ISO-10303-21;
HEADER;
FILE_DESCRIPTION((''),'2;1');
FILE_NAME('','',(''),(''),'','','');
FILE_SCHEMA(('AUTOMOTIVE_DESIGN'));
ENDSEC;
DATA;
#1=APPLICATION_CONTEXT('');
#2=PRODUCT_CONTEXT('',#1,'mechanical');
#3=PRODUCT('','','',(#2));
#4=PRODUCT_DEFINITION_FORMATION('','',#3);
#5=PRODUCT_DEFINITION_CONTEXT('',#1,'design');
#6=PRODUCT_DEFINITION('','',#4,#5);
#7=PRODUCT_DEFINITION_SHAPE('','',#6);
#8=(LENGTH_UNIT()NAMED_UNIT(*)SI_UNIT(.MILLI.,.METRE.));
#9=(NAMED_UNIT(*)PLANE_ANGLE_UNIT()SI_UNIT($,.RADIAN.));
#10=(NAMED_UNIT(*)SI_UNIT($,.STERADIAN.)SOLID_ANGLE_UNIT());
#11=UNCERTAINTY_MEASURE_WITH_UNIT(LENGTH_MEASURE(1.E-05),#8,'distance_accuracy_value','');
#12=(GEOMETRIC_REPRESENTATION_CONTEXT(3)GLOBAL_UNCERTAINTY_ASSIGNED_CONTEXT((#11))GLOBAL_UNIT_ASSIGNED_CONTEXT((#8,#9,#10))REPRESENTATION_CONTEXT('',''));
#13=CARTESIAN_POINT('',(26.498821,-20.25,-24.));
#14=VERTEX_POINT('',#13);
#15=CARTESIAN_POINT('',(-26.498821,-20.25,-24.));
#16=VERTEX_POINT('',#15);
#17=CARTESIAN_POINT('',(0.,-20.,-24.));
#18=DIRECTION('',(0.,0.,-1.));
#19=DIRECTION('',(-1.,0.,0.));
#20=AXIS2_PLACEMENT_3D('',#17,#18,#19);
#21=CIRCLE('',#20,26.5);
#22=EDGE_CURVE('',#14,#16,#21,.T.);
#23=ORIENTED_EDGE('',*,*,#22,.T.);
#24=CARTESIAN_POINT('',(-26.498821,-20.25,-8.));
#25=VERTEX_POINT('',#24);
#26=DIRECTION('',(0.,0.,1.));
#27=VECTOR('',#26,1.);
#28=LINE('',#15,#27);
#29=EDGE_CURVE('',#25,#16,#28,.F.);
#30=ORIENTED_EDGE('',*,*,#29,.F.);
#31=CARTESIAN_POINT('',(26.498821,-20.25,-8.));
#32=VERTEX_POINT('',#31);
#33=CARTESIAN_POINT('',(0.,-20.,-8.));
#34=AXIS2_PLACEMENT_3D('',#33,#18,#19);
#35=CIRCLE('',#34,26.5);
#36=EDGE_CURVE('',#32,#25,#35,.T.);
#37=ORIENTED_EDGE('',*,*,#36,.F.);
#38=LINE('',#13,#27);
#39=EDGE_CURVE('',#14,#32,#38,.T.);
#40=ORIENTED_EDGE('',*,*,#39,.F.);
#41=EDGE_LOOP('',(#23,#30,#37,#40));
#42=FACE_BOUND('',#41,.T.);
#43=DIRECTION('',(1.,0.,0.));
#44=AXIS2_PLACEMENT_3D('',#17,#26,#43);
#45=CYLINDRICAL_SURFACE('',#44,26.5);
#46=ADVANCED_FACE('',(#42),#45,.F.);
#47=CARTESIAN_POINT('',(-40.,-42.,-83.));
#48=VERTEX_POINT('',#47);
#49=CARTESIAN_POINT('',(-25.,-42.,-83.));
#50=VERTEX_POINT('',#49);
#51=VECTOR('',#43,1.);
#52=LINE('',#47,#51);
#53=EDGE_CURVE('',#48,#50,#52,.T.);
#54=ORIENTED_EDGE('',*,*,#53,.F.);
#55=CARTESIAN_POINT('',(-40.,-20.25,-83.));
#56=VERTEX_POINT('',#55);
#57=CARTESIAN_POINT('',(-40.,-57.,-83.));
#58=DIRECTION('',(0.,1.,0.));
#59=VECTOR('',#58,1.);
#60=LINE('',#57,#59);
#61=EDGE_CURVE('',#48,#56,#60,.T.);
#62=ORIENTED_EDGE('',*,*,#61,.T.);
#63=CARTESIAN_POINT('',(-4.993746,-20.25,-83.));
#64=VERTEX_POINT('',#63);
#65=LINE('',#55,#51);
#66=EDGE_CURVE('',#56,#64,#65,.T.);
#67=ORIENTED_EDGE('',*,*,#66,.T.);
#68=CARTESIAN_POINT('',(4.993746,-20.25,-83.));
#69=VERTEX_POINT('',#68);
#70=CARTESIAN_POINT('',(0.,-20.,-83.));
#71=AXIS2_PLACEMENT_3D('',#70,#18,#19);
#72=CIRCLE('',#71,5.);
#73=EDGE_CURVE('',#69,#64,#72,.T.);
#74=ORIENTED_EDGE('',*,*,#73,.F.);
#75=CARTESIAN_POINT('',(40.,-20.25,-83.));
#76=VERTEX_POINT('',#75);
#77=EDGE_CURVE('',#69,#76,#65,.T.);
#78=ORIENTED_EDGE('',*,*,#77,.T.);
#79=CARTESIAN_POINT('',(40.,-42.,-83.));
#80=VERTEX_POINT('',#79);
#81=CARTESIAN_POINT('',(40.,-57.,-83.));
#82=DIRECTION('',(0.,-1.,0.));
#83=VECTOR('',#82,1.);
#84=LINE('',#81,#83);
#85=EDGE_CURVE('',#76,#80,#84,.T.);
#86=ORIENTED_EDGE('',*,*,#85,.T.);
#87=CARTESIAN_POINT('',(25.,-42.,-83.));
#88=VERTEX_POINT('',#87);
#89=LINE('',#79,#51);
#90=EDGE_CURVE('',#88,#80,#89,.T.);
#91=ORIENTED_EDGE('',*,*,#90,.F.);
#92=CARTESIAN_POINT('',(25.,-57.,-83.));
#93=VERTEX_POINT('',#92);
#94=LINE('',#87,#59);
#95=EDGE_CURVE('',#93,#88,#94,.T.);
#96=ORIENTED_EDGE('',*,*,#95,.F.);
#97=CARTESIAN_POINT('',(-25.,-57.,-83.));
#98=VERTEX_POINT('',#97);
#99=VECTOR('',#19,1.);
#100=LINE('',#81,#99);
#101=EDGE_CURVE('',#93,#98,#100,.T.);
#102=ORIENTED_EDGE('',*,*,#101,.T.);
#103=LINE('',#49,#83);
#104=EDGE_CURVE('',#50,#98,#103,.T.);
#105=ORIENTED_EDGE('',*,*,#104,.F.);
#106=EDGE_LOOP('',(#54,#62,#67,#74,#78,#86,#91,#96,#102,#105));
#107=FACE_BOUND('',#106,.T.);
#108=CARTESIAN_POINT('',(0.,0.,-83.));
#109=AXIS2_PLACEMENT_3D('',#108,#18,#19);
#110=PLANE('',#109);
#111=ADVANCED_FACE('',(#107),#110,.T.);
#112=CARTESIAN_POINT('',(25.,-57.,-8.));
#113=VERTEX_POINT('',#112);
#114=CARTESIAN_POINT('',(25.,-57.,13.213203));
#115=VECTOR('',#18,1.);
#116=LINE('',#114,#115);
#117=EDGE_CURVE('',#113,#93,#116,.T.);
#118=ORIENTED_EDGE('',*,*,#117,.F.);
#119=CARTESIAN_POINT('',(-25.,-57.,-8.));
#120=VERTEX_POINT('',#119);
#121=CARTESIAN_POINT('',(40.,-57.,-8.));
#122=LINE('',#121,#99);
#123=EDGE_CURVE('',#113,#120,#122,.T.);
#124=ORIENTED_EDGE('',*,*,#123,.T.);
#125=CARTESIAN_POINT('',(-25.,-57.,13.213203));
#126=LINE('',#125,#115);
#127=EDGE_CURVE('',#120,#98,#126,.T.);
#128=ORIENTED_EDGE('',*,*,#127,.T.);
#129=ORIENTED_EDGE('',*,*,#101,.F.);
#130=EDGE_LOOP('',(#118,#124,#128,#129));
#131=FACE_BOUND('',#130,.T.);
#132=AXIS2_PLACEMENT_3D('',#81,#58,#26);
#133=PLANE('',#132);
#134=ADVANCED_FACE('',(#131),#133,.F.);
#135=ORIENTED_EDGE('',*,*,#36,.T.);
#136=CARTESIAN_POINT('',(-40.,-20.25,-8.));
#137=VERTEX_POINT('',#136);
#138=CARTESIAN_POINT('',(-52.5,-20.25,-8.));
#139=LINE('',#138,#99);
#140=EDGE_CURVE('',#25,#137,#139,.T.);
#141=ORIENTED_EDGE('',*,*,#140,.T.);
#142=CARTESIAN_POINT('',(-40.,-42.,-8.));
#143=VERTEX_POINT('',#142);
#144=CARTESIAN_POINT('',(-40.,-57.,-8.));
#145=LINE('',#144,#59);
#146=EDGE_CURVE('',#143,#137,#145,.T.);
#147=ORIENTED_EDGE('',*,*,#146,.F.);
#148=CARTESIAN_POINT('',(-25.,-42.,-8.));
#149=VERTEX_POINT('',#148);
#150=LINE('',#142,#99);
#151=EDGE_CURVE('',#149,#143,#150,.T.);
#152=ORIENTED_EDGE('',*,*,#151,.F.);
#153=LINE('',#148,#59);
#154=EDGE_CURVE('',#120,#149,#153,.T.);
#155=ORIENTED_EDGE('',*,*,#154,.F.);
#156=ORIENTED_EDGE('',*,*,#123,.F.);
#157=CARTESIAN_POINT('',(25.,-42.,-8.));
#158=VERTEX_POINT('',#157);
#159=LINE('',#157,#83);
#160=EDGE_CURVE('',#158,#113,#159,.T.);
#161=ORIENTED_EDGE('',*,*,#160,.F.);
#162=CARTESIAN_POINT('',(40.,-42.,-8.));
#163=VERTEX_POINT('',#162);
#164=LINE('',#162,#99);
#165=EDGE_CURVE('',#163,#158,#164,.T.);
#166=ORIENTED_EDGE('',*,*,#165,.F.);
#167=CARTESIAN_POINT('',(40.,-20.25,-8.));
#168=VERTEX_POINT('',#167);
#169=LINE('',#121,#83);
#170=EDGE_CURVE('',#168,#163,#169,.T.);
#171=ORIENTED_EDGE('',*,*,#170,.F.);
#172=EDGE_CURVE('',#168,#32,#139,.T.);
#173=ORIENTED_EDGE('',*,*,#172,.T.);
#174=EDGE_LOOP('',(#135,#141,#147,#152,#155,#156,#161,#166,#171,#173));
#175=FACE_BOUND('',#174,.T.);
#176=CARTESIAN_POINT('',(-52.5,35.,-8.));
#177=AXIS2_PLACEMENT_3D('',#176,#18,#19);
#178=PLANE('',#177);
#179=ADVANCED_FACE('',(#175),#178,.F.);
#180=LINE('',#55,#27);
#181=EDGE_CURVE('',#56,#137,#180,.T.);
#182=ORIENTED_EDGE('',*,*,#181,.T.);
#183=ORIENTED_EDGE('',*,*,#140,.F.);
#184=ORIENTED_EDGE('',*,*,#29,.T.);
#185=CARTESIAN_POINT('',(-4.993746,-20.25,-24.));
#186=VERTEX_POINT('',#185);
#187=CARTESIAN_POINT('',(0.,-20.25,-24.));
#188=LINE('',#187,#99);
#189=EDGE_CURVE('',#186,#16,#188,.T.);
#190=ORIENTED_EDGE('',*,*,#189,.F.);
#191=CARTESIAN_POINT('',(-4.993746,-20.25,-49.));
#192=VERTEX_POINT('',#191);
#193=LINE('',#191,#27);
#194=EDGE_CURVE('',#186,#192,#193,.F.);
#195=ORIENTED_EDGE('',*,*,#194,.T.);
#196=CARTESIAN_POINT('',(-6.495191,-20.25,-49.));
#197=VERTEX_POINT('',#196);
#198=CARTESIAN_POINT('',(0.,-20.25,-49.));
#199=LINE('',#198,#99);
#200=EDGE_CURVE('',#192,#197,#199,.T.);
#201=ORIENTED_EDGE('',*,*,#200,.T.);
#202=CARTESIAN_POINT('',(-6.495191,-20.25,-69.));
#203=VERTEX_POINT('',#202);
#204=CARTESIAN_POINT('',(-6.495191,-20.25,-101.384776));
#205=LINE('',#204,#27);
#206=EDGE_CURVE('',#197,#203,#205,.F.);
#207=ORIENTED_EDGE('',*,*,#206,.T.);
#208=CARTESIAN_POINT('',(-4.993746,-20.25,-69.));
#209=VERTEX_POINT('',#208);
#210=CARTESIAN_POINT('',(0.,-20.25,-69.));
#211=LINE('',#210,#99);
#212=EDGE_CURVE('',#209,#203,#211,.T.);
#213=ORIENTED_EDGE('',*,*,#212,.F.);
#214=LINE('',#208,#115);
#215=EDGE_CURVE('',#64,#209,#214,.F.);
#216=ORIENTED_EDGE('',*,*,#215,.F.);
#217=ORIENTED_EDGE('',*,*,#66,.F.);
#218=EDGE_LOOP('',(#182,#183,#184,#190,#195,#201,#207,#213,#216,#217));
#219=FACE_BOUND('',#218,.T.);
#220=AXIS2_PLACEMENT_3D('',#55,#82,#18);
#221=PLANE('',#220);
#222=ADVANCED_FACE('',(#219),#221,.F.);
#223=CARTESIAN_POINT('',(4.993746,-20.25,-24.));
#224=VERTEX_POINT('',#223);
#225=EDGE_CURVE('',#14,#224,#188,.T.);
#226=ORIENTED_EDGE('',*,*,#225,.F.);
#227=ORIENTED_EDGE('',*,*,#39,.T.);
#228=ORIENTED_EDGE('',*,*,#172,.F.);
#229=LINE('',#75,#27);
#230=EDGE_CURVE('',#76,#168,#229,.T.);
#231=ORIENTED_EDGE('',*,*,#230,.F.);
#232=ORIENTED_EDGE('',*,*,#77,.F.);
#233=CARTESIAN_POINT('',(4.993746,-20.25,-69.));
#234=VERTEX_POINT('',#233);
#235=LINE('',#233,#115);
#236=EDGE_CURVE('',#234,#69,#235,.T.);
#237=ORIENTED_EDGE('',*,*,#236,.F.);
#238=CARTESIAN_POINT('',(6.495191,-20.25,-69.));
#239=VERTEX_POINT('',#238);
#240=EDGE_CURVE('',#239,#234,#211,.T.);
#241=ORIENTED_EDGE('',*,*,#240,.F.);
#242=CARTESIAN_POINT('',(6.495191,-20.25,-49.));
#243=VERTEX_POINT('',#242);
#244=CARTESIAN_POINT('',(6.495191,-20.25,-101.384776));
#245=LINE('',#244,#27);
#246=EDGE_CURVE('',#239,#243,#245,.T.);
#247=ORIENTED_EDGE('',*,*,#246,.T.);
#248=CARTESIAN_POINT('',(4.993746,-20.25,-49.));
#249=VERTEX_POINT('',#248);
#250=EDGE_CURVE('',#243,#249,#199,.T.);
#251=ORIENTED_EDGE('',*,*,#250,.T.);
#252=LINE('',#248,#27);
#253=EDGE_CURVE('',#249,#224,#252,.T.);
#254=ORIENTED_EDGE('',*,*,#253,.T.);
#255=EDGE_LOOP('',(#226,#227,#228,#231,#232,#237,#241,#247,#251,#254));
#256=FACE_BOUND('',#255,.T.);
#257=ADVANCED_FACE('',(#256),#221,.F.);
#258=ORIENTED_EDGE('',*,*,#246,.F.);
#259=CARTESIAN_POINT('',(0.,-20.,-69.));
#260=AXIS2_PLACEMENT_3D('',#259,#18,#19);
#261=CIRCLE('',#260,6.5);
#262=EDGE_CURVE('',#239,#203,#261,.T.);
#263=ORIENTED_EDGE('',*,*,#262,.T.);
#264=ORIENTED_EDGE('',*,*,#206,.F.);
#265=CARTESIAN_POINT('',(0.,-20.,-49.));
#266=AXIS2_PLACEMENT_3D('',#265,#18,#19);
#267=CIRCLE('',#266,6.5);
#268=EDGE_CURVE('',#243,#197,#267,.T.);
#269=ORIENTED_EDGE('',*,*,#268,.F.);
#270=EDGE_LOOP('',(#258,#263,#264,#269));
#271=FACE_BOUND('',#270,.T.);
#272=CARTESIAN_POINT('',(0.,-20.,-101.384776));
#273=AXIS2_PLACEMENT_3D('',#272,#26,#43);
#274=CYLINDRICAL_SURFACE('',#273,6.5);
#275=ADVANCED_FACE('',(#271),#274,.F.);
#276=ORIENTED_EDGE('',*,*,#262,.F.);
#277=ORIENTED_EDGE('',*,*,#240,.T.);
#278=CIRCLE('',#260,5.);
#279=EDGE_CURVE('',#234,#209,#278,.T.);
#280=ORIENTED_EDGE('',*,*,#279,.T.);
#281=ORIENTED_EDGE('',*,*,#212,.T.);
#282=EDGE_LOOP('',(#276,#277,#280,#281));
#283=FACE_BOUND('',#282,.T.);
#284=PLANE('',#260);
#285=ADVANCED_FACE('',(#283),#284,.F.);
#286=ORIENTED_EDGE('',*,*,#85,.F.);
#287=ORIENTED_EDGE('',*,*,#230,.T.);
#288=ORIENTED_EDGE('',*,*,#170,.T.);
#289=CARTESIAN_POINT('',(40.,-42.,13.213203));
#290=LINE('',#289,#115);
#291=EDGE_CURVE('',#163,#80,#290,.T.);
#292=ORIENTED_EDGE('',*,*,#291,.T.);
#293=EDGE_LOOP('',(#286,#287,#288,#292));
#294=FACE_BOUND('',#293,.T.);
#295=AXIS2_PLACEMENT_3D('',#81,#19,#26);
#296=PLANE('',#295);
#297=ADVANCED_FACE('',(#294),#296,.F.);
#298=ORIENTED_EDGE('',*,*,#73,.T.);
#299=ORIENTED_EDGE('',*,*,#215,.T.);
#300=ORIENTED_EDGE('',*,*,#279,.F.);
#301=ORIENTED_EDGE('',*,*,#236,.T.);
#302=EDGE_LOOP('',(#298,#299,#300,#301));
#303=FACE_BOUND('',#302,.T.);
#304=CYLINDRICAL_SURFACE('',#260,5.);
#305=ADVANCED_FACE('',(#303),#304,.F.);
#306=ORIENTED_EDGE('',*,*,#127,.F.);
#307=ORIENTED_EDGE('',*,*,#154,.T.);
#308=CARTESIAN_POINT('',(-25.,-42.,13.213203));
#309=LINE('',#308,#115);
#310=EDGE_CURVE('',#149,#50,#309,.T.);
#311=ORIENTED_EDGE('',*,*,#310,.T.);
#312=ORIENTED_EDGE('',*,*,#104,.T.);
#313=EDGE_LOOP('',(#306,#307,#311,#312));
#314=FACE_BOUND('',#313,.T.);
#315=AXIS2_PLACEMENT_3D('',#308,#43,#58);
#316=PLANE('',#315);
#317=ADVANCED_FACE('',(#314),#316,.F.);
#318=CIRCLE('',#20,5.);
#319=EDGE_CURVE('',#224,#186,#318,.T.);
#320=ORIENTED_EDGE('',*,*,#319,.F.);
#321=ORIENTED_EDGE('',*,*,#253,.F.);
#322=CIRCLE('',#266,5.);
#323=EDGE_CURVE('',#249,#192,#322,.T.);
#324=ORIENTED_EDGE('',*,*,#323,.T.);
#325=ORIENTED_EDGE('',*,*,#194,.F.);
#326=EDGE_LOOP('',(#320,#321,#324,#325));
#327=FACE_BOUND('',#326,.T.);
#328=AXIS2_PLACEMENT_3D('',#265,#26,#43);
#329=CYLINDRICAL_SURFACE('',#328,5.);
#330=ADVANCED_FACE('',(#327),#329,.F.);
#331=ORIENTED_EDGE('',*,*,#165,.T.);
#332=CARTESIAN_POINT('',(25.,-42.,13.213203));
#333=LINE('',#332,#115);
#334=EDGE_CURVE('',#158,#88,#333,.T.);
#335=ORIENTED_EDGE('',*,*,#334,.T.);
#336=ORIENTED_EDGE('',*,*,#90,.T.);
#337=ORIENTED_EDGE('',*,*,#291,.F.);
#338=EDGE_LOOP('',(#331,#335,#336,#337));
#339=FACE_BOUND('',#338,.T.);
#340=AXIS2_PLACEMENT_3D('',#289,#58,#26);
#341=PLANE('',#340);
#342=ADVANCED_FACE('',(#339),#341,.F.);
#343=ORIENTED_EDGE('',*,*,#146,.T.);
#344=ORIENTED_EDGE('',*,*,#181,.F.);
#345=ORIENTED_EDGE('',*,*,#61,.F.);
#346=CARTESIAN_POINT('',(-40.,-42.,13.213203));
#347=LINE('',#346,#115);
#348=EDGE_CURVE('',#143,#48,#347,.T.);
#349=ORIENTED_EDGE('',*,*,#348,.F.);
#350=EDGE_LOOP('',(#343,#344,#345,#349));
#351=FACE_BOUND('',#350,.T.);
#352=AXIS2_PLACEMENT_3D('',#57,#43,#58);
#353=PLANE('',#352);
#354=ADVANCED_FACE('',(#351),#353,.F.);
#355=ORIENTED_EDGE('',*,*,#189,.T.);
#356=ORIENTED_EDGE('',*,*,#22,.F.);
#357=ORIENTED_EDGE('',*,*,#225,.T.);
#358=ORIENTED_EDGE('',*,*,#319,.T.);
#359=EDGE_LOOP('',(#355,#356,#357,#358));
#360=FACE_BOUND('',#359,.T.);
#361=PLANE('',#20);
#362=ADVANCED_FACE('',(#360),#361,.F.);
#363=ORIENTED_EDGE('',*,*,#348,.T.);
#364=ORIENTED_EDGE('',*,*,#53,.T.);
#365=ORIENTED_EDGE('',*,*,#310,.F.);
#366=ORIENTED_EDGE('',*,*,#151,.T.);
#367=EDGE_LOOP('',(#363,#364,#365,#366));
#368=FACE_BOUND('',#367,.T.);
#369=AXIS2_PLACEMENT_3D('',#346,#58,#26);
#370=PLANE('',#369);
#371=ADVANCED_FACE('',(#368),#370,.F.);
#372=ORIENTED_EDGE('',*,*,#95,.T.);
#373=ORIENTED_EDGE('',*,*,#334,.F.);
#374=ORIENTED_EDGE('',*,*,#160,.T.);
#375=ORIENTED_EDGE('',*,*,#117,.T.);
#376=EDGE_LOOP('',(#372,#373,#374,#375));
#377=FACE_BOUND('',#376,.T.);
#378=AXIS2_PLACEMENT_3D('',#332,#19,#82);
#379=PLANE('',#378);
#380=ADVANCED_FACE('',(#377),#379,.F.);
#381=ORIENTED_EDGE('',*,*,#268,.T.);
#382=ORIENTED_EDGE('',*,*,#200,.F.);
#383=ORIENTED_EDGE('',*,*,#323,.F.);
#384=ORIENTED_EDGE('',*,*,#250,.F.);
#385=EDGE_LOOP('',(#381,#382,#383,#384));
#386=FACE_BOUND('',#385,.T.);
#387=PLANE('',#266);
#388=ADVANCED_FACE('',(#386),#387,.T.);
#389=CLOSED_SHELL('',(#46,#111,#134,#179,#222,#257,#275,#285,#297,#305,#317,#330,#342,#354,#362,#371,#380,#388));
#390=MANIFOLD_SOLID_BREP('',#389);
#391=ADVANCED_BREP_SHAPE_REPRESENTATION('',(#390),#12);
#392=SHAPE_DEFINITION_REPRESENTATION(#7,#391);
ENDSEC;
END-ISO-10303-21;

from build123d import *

# Parameters (mm, degrees)
BOSS_EXTRUDE1_DEPTH     = 8
SKETCH3_R               = 13.75
CUT_EXTRUDE1_DEPTH      = 8
SKETCH4_W               = 80
SKETCH4_H               = 37
BOSS_EXTRUDE2_DEPTH     = 75
SKETCH5_R               = 26.5
CUT_EXTRUDE2_DEPTH      = 16
SKETCH6_R               = 6.5
CUT_EXTRUDE3_DEPTH      = 75
BOSS_EXTRUDE3_START     = 16
BOSS_EXTRUDE3_DEPTH     = 25
BOSS_EXTRUDE4_START     = 61
BOSS_EXTRUDE4_DEPTH     = 14
SKETCH10_W              = 150
SKETCH10_H              = 175
CUT_EXTRUDE4_DEPTH      = 8
CUT_EXTRUDE5_DEPTH      = 103.342562016
CUT_EXTRUDE5_DEPTH_BACK = 103.342562016
SKETCH12_W              = 80
SKETCH12_H              = 0.25
SKETCH13_W              = 15
SKETCH13_H              = 15
CUT_EXTRUDE6_DEPTH      = 75


with BuildPart() as part:
    # Sketch2 → Boss-Extrude1 (new body)
    with BuildSketch(Plane.XY):
        with BuildLine():
            Line((-35, 60), (-35, 50))
            ThreePointArc((-35, 50), (-37.196699141, 44.696699141), (-42.5, 42.5))
            Line((-42.5, 42.5), (-52.5, 42.5))
            ThreePointArc((-52.5, 42.5), (-57.803300859, 40.303300859), (-60, 35))
            Line((-60, 35), (-60, -60))
            ThreePointArc((-60, -60), (-57.803300859, -65.303300859), (-52.5, -67.5))
            Line((-52.5, -67.5), (52.5, -67.5))
            ThreePointArc((52.5, -67.5), (57.803300859, -65.303300859), (60, -60))
            Line((60, -60), (60, 35))
            ThreePointArc((60, 35), (57.803300859, 40.303300859), (52.5, 42.5))
            Line((52.5, 42.5), (42.5, 42.5))
            ThreePointArc((42.5, 42.5), (37.196699141, 44.696699141), (35, 50))
            Line((35, 50), (35, 60))
            ThreePointArc((35, 60), (32.803300859, 65.303300859), (27.5, 67.5))
            Line((27.5, 67.5), (-27.5, 67.5))
            ThreePointArc((-27.5, 67.5), (-32.803300859, 65.303300859), (-35, 60))
        make_face()
    extrude(amount=-BOSS_EXTRUDE1_DEPTH)

    # Sketch3 → Cut-Extrude1 (cut)
    with BuildSketch(Plane.XY):
        with Locations((0, -20)):
            Circle(SKETCH3_R)
    extrude(amount=-CUT_EXTRUDE1_DEPTH, mode=Mode.SUBTRACT)

    # Sketch4 → Boss-Extrude2 (add)
    with BuildSketch(Plane(origin=(0, 0, -8), x_dir=(-1, 0, 0), z_dir=(0, 0, -1))):
        with Locations((0, -38.5)):
            Rectangle(SKETCH4_W, SKETCH4_H)
    extrude(amount=BOSS_EXTRUDE2_DEPTH)

    # Sketch5 → Cut-Extrude2 (cut)
    with BuildSketch(Plane(origin=(0, 0, -8), x_dir=(-1, 0, 0), z_dir=(0, 0, -1))):
        with Locations((0, -20)):
            Circle(SKETCH5_R)
    extrude(amount=CUT_EXTRUDE2_DEPTH, mode=Mode.SUBTRACT)

    # Sketch6 → Cut-Extrude3 (cut)
    with BuildSketch(Plane(origin=(0, 0, -8), x_dir=(-1, 0, 0), z_dir=(0, 0, -1))):
        with Locations((0, -20)):
            Circle(SKETCH6_R)
    extrude(amount=CUT_EXTRUDE3_DEPTH, mode=Mode.SUBTRACT)

    # Sketch8 → Boss-Extrude3 (add)
    with BuildSketch(Plane(origin=(0, 0, -8), x_dir=(-1, 0, 0), z_dir=(0, 0, -1)).offset(BOSS_EXTRUDE3_START)):
        with BuildLine():
            Line((-6.5, -20), (-5, -20))
            ThreePointArc((-5, -20), (0, -25), (5, -20))
            Line((5, -20), (6.5, -20))
            ThreePointArc((6.5, -20), (0, -26.5), (-6.5, -20))
        make_face()
    extrude(amount=BOSS_EXTRUDE3_DEPTH)

    # Sketch9 → Boss-Extrude4 (add)
    with BuildSketch(Plane(origin=(0, 0, -8), x_dir=(-1, 0, 0), z_dir=(0, 0, -1)).offset(BOSS_EXTRUDE4_START)):
        with BuildLine():
            Line((-6.5, -20), (-5, -20))
            ThreePointArc((-5, -20), (0, -25), (5, -20))
            Line((5, -20), (6.5, -20))
            ThreePointArc((6.5, -20), (0, -26.5), (-6.5, -20))
        make_face()
    extrude(amount=BOSS_EXTRUDE4_DEPTH)

    # Sketch10 → Cut-Extrude4 (cut)
    with BuildSketch(Plane.XY):
        Rectangle(SKETCH10_W, SKETCH10_H)
    extrude(amount=-CUT_EXTRUDE4_DEPTH, mode=Mode.SUBTRACT)

    # Sketch12 → Cut-Extrude5 (cut, two sides: drawn at the far end of the back side and taken through both)
    with BuildSketch(Plane.XY.offset(-8).offset(-CUT_EXTRUDE5_DEPTH_BACK)):
        with Locations((0, -20.125)):
            Rectangle(SKETCH12_W, SKETCH12_H)
    extrude(amount=CUT_EXTRUDE5_DEPTH + CUT_EXTRUDE5_DEPTH_BACK, mode=Mode.SUBTRACT)

    # Sketch13 → Cut-Extrude6 (cut)
    with BuildSketch(Plane(origin=(0, 0, -83), x_dir=(-1, 0, 0), z_dir=(0, 0, -1))):
        with Locations((32.5, -49.5)):
            Rectangle(SKETCH13_W, SKETCH13_H)
        with Locations((-32.5, -49.5)):
            Rectangle(SKETCH13_W, SKETCH13_H)
    extrude(amount=-CUT_EXTRUDE6_DEPTH, mode=Mode.SUBTRACT)


solid = part.part
